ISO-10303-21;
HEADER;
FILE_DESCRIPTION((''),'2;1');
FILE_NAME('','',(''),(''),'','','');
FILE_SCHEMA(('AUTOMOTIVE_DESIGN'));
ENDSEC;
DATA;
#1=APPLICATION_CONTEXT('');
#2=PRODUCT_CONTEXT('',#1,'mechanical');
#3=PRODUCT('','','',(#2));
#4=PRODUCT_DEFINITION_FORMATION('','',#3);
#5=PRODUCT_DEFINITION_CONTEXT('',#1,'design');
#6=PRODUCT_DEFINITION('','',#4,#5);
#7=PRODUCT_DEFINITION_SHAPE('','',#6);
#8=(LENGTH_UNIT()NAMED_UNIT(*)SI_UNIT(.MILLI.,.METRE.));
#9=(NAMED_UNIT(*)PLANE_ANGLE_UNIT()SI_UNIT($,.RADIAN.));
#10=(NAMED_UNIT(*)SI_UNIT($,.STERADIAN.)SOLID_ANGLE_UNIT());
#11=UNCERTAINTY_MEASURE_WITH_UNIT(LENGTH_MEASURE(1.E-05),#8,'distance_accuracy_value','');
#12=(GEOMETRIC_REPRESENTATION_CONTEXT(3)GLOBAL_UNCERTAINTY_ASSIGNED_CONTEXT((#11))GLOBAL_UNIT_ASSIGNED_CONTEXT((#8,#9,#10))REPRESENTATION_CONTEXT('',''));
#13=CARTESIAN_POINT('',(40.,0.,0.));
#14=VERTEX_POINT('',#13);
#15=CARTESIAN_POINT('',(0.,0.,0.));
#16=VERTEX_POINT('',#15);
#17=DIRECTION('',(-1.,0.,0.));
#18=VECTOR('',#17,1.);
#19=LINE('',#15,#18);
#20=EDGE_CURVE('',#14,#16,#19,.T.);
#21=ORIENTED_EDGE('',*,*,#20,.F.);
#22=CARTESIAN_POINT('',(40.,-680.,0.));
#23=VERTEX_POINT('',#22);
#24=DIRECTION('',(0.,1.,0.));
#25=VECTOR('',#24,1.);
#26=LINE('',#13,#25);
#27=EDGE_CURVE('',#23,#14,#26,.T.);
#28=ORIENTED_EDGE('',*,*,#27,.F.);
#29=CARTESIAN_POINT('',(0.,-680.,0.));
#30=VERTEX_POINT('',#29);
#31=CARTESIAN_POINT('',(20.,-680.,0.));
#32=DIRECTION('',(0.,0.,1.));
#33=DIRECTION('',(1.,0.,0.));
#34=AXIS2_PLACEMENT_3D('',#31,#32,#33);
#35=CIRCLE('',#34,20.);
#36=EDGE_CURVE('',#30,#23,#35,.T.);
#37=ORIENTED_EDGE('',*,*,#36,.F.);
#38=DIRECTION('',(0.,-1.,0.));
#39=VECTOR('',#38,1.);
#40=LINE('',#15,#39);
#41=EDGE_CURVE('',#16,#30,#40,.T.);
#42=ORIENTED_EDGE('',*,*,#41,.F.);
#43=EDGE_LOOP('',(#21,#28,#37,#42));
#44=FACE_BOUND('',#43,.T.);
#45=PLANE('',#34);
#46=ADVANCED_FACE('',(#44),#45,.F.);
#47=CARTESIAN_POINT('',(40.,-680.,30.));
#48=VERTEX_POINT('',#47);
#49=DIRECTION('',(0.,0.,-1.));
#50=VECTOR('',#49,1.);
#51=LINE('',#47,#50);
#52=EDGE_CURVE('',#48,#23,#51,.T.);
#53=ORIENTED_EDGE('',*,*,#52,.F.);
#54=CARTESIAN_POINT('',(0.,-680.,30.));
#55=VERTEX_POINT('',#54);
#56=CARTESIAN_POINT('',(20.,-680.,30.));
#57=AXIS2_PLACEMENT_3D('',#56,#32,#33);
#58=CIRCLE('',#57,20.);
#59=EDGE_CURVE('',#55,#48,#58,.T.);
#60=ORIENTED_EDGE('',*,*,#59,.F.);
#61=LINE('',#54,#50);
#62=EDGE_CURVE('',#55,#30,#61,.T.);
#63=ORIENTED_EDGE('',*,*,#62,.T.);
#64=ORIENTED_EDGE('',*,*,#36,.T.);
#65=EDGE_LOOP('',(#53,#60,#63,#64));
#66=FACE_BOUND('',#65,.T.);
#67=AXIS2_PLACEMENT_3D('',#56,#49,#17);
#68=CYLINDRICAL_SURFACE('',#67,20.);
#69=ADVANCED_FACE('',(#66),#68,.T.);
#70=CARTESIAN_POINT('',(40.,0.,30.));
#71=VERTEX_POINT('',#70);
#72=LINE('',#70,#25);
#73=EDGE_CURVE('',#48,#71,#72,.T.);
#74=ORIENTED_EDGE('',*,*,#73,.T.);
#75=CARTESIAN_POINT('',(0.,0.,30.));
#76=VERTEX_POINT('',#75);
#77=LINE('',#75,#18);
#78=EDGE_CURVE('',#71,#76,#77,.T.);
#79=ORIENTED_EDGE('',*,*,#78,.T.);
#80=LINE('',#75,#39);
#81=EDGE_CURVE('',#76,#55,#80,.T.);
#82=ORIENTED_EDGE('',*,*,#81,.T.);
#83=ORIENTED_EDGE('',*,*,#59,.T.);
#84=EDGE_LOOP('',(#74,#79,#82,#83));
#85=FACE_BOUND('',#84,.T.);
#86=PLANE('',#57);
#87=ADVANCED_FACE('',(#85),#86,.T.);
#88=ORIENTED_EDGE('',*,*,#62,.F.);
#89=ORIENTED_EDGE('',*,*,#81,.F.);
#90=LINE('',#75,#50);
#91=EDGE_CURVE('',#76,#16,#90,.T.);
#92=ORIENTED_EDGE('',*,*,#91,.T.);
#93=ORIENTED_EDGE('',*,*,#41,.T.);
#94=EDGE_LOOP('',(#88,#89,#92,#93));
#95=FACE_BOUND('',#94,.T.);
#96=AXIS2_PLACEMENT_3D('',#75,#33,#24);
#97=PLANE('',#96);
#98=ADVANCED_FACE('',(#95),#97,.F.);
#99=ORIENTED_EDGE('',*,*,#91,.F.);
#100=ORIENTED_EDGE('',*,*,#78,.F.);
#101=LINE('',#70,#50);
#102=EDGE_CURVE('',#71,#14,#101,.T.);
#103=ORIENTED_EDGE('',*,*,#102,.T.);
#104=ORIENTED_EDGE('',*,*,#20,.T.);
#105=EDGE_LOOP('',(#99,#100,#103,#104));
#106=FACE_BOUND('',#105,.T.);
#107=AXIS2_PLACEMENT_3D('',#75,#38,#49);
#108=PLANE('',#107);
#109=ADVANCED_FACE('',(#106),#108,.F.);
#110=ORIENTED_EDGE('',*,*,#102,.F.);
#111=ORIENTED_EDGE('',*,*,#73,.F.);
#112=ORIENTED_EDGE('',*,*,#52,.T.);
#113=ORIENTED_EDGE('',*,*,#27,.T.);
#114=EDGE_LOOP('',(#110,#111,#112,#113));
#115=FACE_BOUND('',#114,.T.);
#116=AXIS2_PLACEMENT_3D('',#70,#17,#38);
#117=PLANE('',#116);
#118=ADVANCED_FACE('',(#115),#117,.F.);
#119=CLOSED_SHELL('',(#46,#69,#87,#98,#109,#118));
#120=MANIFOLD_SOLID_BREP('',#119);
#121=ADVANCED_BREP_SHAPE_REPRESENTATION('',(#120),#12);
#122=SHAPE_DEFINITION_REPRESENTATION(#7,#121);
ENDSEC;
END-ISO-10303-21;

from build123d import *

# Parameters (mm, degrees)
DODANIE_WYCI_GNI_CIE1_DEPTH = 30


with BuildPart() as part:
    # Szkic1 → Dodanie-wyciągnięcie1 (new body)
    with BuildSketch(Plane.XY):
        with BuildLine():
            Line((0, 0), (40, 0))
            Line((40, 0), (40, -680))
            ThreePointArc((40, -680), (20, -700), (0, -680))
            Line((0, -680), (0, 0))
        make_face()
    extrude(amount=DODANIE_WYCI_GNI_CIE1_DEPTH)


solid = part.part
